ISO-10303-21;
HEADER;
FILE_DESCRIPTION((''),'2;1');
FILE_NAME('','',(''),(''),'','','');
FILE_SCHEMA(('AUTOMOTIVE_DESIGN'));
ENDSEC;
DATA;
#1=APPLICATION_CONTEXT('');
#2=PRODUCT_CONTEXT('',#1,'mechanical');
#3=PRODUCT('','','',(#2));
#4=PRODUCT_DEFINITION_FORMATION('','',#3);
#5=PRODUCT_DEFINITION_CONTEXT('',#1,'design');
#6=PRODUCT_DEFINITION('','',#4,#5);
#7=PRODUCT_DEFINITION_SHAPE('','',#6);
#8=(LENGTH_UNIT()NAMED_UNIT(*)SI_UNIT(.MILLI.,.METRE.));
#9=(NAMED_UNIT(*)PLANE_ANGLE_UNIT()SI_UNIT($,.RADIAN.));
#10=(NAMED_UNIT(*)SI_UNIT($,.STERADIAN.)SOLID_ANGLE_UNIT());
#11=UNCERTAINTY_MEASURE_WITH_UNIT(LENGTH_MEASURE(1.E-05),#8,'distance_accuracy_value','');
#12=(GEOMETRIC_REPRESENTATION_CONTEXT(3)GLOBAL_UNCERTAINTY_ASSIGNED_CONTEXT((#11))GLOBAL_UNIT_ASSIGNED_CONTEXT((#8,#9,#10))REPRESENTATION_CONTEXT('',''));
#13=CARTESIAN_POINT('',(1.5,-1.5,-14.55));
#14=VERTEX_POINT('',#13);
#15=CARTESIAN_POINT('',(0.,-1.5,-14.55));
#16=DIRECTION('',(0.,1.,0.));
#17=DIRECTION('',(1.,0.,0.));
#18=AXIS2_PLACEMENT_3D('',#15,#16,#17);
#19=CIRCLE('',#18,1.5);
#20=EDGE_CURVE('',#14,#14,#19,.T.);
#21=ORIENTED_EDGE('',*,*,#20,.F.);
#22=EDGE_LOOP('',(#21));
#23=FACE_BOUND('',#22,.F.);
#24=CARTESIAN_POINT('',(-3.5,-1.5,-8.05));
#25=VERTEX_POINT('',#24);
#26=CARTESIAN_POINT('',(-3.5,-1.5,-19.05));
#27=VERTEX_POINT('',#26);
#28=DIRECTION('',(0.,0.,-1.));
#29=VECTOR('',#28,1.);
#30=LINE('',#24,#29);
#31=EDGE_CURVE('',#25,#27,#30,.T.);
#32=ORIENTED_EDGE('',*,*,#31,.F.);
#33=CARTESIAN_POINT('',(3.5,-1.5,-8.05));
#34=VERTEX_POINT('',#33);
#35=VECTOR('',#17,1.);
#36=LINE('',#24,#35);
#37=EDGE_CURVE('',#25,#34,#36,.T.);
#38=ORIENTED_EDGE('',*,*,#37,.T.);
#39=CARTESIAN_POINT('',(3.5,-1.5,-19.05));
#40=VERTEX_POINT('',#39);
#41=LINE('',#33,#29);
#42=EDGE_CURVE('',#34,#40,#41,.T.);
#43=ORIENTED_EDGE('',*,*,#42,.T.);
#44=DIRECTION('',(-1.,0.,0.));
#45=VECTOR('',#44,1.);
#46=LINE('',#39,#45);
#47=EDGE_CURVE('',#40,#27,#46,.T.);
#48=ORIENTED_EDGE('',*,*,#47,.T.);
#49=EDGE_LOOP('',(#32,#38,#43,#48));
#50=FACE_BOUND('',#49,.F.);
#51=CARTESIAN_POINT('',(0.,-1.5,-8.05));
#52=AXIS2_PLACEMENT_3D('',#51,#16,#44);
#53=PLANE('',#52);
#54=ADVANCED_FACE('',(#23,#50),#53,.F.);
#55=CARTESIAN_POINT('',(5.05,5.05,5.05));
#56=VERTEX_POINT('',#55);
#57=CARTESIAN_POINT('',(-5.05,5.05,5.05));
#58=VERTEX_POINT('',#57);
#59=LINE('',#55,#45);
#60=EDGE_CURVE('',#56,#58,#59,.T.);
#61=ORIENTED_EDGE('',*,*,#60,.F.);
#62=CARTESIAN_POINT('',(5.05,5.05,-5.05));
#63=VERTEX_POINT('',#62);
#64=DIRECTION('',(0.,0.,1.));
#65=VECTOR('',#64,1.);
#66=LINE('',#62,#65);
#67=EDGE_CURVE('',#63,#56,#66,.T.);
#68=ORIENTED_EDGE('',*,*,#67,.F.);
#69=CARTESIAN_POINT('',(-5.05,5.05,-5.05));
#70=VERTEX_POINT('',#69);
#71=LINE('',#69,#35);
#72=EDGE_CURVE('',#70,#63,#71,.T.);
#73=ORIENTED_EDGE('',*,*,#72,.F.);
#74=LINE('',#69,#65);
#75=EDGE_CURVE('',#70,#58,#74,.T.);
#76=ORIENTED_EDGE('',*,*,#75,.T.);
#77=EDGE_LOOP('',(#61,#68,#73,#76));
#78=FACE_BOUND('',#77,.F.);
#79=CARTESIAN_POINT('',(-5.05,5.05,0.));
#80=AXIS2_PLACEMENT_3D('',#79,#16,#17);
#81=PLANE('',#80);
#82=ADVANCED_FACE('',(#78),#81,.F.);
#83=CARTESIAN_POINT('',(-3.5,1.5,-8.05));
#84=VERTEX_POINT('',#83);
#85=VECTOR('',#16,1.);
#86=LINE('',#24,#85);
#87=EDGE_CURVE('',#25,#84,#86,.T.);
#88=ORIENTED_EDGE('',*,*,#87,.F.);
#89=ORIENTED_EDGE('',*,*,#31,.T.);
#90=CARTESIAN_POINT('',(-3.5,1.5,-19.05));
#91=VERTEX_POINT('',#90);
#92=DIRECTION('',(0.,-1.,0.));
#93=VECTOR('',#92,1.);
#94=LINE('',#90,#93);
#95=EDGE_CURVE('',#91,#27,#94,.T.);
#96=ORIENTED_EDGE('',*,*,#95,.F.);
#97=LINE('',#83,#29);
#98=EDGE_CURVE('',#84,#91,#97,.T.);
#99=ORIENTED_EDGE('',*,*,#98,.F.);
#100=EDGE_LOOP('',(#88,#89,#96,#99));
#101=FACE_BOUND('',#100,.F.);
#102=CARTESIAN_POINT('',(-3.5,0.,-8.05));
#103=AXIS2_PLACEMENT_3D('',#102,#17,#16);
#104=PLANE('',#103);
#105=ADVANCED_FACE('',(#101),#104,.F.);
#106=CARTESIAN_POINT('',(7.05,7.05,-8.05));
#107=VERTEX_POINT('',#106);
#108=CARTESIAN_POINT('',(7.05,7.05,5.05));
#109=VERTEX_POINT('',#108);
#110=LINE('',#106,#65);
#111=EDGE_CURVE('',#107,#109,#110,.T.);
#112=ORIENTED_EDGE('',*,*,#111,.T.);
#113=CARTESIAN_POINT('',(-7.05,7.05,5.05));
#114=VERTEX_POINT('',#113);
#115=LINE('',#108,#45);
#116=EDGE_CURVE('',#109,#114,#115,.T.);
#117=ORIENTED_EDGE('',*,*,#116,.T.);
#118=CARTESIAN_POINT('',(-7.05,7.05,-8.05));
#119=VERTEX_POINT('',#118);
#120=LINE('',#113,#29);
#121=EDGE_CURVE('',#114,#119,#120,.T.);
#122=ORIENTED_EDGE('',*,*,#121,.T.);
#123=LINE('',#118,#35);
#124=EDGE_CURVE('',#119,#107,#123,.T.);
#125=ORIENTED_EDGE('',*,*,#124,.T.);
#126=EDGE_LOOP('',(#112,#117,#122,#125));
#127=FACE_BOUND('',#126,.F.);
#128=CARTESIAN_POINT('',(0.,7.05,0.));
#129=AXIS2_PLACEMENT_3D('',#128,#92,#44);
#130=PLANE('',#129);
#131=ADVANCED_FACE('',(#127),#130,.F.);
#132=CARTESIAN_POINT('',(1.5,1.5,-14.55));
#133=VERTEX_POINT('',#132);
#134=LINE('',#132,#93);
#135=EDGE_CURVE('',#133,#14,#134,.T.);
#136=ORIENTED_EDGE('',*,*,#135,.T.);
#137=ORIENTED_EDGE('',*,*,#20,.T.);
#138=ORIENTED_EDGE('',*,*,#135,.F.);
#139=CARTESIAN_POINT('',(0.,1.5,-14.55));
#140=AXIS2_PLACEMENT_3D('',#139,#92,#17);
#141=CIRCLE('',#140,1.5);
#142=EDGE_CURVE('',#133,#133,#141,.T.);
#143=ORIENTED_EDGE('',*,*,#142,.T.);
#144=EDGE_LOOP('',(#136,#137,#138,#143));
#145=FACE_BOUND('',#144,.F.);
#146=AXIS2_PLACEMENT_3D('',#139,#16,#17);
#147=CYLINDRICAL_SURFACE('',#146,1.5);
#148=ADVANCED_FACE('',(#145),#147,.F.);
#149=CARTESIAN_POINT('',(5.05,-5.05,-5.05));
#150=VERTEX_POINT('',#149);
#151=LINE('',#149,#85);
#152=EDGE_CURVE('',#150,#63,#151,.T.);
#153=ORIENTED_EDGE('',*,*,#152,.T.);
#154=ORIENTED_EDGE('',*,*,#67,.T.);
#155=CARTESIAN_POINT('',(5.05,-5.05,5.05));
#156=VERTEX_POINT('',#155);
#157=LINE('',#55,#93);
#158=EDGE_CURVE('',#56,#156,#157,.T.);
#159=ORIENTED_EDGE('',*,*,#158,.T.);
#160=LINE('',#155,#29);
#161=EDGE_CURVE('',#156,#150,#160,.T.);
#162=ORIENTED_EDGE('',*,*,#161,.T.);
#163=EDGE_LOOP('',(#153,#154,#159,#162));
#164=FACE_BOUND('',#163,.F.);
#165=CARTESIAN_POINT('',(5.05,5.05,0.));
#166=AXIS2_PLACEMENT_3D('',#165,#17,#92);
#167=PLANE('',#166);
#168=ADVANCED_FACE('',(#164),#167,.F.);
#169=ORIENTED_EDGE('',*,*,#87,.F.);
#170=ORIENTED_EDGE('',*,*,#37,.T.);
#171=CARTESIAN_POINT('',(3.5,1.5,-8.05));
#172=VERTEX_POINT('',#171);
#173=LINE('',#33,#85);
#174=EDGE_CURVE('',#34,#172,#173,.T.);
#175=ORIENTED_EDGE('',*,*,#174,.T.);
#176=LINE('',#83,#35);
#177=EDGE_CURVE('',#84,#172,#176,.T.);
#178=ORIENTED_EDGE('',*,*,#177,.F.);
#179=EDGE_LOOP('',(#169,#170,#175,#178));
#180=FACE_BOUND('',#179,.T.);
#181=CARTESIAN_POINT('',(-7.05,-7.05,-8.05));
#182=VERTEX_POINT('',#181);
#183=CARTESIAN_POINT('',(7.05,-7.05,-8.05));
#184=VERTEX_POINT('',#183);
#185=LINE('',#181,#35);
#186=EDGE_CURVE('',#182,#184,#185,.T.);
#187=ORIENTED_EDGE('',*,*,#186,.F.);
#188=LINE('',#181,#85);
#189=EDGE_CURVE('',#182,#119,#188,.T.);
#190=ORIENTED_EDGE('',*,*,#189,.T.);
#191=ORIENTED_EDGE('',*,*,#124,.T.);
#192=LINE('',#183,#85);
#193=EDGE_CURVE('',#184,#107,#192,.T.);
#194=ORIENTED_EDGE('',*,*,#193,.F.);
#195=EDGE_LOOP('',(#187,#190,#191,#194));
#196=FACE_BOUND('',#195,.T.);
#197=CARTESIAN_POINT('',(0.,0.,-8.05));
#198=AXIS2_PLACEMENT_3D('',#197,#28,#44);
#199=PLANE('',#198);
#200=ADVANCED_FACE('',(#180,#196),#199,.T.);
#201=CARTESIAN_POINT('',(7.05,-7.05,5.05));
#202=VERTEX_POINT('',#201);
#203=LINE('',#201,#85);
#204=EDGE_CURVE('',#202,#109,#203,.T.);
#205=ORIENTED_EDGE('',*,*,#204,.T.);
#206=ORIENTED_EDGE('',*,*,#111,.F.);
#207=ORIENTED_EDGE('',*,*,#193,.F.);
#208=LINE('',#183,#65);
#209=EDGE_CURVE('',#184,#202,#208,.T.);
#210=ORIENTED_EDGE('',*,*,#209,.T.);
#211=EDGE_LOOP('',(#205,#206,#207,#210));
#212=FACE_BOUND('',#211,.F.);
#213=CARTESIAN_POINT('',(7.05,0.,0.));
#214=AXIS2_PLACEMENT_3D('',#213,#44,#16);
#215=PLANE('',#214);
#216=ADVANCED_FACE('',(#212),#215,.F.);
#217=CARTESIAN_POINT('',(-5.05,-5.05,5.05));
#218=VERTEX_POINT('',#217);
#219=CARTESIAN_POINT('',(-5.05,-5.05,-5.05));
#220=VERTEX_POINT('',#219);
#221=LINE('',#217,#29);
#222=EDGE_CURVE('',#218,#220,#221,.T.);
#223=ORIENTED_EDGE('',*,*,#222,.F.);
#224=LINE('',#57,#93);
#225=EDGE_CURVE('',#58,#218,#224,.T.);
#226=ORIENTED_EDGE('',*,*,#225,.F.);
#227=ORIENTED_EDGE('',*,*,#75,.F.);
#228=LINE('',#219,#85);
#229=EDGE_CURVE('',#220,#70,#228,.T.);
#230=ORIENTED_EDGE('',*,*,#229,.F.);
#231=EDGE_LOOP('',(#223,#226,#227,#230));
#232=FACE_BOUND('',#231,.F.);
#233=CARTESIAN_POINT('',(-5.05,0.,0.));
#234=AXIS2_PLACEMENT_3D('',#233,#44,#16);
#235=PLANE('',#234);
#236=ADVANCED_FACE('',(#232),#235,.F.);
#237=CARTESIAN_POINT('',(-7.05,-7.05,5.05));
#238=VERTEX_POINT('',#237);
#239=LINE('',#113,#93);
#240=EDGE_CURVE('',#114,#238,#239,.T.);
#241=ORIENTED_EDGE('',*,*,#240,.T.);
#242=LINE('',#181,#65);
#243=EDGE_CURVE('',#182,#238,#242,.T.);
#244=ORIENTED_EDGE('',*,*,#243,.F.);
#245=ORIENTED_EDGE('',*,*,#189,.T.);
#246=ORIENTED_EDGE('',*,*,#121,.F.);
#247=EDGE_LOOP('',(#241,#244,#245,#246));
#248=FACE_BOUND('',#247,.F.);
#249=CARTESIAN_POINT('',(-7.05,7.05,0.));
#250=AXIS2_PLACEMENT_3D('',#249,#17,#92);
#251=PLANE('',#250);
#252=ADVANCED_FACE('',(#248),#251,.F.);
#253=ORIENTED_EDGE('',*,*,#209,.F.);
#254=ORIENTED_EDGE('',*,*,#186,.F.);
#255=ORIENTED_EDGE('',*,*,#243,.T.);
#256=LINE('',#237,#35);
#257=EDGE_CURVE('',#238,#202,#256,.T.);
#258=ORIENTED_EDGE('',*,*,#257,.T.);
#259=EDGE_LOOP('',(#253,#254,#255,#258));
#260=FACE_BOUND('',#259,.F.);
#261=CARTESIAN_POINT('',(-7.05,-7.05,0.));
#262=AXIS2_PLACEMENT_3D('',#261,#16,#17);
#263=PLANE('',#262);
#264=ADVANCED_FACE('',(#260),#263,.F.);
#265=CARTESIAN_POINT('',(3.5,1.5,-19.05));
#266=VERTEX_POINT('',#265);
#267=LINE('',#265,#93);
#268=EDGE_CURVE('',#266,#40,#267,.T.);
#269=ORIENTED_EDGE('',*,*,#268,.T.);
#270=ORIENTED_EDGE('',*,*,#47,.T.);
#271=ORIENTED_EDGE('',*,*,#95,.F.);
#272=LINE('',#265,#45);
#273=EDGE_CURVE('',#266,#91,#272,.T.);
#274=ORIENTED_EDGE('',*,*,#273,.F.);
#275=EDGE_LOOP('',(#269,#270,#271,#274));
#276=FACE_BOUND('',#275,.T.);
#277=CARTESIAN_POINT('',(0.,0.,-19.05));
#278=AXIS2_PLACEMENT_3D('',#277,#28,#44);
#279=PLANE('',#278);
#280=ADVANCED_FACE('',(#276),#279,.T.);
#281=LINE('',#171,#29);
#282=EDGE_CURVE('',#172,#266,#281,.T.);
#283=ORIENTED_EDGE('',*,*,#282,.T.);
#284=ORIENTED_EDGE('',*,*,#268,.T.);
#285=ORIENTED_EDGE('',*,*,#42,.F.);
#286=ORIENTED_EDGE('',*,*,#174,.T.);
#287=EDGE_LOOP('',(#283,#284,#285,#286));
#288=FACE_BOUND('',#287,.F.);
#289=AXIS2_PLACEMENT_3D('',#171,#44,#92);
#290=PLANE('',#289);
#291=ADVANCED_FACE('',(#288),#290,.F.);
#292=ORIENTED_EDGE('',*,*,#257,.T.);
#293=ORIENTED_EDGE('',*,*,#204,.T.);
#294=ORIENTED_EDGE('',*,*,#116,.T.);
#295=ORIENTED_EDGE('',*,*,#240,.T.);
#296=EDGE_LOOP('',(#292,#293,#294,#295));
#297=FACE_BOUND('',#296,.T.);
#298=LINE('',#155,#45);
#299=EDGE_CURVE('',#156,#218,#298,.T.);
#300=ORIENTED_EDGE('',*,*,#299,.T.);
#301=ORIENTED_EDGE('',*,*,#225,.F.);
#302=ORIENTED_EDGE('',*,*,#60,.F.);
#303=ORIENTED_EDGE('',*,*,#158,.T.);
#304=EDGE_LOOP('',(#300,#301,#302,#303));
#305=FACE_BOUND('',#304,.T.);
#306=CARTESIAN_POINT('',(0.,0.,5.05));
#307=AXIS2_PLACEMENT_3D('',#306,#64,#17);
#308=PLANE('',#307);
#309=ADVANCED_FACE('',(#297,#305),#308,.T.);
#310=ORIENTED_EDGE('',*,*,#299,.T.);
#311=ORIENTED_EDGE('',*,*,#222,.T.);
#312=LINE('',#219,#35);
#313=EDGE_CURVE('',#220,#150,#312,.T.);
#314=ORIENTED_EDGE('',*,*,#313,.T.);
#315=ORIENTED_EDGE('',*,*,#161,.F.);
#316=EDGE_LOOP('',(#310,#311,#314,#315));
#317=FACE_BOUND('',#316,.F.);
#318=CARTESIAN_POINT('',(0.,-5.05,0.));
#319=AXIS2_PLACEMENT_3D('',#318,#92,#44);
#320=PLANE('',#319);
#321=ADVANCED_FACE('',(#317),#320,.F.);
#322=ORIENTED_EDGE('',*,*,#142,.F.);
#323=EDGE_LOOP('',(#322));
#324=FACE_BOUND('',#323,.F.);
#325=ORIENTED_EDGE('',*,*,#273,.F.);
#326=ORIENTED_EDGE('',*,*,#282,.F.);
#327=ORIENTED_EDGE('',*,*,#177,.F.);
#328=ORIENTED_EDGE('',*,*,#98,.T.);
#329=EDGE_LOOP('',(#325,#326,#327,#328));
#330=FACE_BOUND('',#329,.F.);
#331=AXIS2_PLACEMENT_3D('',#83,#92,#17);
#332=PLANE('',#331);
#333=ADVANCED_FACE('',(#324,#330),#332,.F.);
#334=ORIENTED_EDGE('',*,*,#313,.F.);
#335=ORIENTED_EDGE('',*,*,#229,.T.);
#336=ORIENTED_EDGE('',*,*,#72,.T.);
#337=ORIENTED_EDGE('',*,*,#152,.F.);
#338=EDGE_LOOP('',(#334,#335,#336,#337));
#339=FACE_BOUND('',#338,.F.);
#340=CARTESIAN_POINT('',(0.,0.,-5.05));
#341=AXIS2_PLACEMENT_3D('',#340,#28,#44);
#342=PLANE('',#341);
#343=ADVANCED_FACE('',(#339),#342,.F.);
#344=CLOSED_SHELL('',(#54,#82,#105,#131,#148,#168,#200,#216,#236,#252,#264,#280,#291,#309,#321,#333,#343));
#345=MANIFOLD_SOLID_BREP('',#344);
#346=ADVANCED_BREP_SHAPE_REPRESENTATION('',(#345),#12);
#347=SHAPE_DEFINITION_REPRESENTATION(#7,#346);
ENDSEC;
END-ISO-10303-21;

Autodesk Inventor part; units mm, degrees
ref_plane "YZ Plane" through (0, 0, 0) normal (1, 0, 0) x (0, 1, 0)
ref_plane "XZ Plane" through (0, 0, 0) normal (0, 1, 0) x (-1, 0, 0)
ref_plane "XY Plane" through (0, 0, 0) normal (0, 0, 1) x (1, 0, 0)
sketch "スケッチ1" plane through (0, 0, 0) normal (0, 0, 1) x (1, 0, 0)
  line L0 (-5.05, 5.05) -> (5.05, 5.05)
  line L1 (5.05, 5.05) -> (5.05, -5.05)
  line L2 (5.05, -5.05) -> (-5.05, -5.05)
  line L3 (-5.05, -5.05) -> (-5.05, 5.05)
  line L4 (0, -9.87) -> (0, 9.87) projected
  line L5 (-9.87, 0) -> (9.87, 0) projected
  line L6 (7.05, 7.05) -> (-7.05, 7.05)
  line L7 (-7.05, 7.05) -> (-7.05, -7.05)
  line L8 (-7.05, -7.05) -> (7.05, -7.05)
  line L9 (7.05, -7.05) -> (7.05, 7.05)
  point P0 (0, 0)
  dimension "d0" = 10.1
  dimension "d1" = 2
  dimension "d27" = 10.1
extrude "押し出し1" add sketch "スケッチ1" along normal mid plane 10.1 contours L3 L5 L7 L6 L4 L0 | L4 L6 L9 L5 L1 L0 | L3 L2 L4 L8 L7 L5 | L5 L9 L8 L4 L2 L1
sketch "スケッチ2" plane through (0, 0, -5.05) normal (0, 0, -1) x (-1, 0, 0)
  line L0 (-7.05, -7.05) -> (-7.05, 7.05) projected
  line L1 (7.05, 7.05) -> (-7.05, 7.05) projected
  line L2 (-7.05, -7.05) -> (7.05, -7.05) projected
  line L3 (7.05, -7.05) -> (7.05, 7.05) projected
  line L4 (7.05, 7.05) -> (-7.05, 7.05) projected
  line L5 (-7.05, 7.05) -> (-7.05, -7.05) projected
  line L6 (5.05, 5.05) -> (5.05, -5.05) projected
  line L7 (5.05, -5.05) -> (-5.05, -5.05) projected
  line L8 (-5.05, -5.05) -> (-5.05, 5.05) projected
  line L9 (-5.05, 5.05) -> (5.05, 5.05) projected
  line L10 (-7.05, 7.05) -> (7.05, 7.05) projected
  line L11 (-7.05, 7.05) -> (7.05, 7.05)
  line L12 (7.05, 7.05) -> (7.05, -7.05) projected
  line L13 (7.05, -7.05) -> (-7.05, -7.05)
  line L14 (9.87, 0) -> (-9.87, 0) projected
  line L15 (0, -10.0068) -> (0, 10.0068) projected
  line L16 (-7.05, 7.05) -> (-7.05, -7.05)
  line L17 (7.05, 7.05) -> (7.05, -7.05)
  point P0 (0, 0)
extrude "押し出し2" add sketch "スケッチ2" along normal blind 3
sketch "スケッチ4" plane through (0, 0, -8.05) normal (0, 0, -1) x (-1, 0, 0)
  line L0 (3.5, 1.5) -> (-3.5, 1.5)
  line L1 (-3.5, 1.5) -> (-3.5, -1.5)
  line L2 (-3.5, -1.5) -> (3.5, -1.5)
  line L3 (3.5, -1.5) -> (3.5, 1.5)
  line L4 (9.87, 0) -> (-9.87, 0) projected
  line L5 (0, -9.87) -> (0, 9.87) projected
  point P0 (0, 0)
  dimension "d19" = 3
  dimension "d20" = 7
extrude "押し出し4" add sketch "スケッチ4" along normal blind 11
sketch "スケッチ5" plane through (-3.5, 1.5, -8.05) normal (0, 1, 0) x (1, 0, 0)
  circle A0 centre (3.5, 6.5) radius 1.5
  line L0 (-3.55, 0) -> (10.55, 0) projected
  line L1 (3.5, 15.82) -> (3.5, -17.92) projected
  point P0 (3.5, -8.05)
  dimension "d23" = 3
  dimension "d24" = 6.5
extrude "押し出し5" cut sketch "スケッチ5" against normal up to surface (3 mm away)
properties part number "adapter_for_magnet"
